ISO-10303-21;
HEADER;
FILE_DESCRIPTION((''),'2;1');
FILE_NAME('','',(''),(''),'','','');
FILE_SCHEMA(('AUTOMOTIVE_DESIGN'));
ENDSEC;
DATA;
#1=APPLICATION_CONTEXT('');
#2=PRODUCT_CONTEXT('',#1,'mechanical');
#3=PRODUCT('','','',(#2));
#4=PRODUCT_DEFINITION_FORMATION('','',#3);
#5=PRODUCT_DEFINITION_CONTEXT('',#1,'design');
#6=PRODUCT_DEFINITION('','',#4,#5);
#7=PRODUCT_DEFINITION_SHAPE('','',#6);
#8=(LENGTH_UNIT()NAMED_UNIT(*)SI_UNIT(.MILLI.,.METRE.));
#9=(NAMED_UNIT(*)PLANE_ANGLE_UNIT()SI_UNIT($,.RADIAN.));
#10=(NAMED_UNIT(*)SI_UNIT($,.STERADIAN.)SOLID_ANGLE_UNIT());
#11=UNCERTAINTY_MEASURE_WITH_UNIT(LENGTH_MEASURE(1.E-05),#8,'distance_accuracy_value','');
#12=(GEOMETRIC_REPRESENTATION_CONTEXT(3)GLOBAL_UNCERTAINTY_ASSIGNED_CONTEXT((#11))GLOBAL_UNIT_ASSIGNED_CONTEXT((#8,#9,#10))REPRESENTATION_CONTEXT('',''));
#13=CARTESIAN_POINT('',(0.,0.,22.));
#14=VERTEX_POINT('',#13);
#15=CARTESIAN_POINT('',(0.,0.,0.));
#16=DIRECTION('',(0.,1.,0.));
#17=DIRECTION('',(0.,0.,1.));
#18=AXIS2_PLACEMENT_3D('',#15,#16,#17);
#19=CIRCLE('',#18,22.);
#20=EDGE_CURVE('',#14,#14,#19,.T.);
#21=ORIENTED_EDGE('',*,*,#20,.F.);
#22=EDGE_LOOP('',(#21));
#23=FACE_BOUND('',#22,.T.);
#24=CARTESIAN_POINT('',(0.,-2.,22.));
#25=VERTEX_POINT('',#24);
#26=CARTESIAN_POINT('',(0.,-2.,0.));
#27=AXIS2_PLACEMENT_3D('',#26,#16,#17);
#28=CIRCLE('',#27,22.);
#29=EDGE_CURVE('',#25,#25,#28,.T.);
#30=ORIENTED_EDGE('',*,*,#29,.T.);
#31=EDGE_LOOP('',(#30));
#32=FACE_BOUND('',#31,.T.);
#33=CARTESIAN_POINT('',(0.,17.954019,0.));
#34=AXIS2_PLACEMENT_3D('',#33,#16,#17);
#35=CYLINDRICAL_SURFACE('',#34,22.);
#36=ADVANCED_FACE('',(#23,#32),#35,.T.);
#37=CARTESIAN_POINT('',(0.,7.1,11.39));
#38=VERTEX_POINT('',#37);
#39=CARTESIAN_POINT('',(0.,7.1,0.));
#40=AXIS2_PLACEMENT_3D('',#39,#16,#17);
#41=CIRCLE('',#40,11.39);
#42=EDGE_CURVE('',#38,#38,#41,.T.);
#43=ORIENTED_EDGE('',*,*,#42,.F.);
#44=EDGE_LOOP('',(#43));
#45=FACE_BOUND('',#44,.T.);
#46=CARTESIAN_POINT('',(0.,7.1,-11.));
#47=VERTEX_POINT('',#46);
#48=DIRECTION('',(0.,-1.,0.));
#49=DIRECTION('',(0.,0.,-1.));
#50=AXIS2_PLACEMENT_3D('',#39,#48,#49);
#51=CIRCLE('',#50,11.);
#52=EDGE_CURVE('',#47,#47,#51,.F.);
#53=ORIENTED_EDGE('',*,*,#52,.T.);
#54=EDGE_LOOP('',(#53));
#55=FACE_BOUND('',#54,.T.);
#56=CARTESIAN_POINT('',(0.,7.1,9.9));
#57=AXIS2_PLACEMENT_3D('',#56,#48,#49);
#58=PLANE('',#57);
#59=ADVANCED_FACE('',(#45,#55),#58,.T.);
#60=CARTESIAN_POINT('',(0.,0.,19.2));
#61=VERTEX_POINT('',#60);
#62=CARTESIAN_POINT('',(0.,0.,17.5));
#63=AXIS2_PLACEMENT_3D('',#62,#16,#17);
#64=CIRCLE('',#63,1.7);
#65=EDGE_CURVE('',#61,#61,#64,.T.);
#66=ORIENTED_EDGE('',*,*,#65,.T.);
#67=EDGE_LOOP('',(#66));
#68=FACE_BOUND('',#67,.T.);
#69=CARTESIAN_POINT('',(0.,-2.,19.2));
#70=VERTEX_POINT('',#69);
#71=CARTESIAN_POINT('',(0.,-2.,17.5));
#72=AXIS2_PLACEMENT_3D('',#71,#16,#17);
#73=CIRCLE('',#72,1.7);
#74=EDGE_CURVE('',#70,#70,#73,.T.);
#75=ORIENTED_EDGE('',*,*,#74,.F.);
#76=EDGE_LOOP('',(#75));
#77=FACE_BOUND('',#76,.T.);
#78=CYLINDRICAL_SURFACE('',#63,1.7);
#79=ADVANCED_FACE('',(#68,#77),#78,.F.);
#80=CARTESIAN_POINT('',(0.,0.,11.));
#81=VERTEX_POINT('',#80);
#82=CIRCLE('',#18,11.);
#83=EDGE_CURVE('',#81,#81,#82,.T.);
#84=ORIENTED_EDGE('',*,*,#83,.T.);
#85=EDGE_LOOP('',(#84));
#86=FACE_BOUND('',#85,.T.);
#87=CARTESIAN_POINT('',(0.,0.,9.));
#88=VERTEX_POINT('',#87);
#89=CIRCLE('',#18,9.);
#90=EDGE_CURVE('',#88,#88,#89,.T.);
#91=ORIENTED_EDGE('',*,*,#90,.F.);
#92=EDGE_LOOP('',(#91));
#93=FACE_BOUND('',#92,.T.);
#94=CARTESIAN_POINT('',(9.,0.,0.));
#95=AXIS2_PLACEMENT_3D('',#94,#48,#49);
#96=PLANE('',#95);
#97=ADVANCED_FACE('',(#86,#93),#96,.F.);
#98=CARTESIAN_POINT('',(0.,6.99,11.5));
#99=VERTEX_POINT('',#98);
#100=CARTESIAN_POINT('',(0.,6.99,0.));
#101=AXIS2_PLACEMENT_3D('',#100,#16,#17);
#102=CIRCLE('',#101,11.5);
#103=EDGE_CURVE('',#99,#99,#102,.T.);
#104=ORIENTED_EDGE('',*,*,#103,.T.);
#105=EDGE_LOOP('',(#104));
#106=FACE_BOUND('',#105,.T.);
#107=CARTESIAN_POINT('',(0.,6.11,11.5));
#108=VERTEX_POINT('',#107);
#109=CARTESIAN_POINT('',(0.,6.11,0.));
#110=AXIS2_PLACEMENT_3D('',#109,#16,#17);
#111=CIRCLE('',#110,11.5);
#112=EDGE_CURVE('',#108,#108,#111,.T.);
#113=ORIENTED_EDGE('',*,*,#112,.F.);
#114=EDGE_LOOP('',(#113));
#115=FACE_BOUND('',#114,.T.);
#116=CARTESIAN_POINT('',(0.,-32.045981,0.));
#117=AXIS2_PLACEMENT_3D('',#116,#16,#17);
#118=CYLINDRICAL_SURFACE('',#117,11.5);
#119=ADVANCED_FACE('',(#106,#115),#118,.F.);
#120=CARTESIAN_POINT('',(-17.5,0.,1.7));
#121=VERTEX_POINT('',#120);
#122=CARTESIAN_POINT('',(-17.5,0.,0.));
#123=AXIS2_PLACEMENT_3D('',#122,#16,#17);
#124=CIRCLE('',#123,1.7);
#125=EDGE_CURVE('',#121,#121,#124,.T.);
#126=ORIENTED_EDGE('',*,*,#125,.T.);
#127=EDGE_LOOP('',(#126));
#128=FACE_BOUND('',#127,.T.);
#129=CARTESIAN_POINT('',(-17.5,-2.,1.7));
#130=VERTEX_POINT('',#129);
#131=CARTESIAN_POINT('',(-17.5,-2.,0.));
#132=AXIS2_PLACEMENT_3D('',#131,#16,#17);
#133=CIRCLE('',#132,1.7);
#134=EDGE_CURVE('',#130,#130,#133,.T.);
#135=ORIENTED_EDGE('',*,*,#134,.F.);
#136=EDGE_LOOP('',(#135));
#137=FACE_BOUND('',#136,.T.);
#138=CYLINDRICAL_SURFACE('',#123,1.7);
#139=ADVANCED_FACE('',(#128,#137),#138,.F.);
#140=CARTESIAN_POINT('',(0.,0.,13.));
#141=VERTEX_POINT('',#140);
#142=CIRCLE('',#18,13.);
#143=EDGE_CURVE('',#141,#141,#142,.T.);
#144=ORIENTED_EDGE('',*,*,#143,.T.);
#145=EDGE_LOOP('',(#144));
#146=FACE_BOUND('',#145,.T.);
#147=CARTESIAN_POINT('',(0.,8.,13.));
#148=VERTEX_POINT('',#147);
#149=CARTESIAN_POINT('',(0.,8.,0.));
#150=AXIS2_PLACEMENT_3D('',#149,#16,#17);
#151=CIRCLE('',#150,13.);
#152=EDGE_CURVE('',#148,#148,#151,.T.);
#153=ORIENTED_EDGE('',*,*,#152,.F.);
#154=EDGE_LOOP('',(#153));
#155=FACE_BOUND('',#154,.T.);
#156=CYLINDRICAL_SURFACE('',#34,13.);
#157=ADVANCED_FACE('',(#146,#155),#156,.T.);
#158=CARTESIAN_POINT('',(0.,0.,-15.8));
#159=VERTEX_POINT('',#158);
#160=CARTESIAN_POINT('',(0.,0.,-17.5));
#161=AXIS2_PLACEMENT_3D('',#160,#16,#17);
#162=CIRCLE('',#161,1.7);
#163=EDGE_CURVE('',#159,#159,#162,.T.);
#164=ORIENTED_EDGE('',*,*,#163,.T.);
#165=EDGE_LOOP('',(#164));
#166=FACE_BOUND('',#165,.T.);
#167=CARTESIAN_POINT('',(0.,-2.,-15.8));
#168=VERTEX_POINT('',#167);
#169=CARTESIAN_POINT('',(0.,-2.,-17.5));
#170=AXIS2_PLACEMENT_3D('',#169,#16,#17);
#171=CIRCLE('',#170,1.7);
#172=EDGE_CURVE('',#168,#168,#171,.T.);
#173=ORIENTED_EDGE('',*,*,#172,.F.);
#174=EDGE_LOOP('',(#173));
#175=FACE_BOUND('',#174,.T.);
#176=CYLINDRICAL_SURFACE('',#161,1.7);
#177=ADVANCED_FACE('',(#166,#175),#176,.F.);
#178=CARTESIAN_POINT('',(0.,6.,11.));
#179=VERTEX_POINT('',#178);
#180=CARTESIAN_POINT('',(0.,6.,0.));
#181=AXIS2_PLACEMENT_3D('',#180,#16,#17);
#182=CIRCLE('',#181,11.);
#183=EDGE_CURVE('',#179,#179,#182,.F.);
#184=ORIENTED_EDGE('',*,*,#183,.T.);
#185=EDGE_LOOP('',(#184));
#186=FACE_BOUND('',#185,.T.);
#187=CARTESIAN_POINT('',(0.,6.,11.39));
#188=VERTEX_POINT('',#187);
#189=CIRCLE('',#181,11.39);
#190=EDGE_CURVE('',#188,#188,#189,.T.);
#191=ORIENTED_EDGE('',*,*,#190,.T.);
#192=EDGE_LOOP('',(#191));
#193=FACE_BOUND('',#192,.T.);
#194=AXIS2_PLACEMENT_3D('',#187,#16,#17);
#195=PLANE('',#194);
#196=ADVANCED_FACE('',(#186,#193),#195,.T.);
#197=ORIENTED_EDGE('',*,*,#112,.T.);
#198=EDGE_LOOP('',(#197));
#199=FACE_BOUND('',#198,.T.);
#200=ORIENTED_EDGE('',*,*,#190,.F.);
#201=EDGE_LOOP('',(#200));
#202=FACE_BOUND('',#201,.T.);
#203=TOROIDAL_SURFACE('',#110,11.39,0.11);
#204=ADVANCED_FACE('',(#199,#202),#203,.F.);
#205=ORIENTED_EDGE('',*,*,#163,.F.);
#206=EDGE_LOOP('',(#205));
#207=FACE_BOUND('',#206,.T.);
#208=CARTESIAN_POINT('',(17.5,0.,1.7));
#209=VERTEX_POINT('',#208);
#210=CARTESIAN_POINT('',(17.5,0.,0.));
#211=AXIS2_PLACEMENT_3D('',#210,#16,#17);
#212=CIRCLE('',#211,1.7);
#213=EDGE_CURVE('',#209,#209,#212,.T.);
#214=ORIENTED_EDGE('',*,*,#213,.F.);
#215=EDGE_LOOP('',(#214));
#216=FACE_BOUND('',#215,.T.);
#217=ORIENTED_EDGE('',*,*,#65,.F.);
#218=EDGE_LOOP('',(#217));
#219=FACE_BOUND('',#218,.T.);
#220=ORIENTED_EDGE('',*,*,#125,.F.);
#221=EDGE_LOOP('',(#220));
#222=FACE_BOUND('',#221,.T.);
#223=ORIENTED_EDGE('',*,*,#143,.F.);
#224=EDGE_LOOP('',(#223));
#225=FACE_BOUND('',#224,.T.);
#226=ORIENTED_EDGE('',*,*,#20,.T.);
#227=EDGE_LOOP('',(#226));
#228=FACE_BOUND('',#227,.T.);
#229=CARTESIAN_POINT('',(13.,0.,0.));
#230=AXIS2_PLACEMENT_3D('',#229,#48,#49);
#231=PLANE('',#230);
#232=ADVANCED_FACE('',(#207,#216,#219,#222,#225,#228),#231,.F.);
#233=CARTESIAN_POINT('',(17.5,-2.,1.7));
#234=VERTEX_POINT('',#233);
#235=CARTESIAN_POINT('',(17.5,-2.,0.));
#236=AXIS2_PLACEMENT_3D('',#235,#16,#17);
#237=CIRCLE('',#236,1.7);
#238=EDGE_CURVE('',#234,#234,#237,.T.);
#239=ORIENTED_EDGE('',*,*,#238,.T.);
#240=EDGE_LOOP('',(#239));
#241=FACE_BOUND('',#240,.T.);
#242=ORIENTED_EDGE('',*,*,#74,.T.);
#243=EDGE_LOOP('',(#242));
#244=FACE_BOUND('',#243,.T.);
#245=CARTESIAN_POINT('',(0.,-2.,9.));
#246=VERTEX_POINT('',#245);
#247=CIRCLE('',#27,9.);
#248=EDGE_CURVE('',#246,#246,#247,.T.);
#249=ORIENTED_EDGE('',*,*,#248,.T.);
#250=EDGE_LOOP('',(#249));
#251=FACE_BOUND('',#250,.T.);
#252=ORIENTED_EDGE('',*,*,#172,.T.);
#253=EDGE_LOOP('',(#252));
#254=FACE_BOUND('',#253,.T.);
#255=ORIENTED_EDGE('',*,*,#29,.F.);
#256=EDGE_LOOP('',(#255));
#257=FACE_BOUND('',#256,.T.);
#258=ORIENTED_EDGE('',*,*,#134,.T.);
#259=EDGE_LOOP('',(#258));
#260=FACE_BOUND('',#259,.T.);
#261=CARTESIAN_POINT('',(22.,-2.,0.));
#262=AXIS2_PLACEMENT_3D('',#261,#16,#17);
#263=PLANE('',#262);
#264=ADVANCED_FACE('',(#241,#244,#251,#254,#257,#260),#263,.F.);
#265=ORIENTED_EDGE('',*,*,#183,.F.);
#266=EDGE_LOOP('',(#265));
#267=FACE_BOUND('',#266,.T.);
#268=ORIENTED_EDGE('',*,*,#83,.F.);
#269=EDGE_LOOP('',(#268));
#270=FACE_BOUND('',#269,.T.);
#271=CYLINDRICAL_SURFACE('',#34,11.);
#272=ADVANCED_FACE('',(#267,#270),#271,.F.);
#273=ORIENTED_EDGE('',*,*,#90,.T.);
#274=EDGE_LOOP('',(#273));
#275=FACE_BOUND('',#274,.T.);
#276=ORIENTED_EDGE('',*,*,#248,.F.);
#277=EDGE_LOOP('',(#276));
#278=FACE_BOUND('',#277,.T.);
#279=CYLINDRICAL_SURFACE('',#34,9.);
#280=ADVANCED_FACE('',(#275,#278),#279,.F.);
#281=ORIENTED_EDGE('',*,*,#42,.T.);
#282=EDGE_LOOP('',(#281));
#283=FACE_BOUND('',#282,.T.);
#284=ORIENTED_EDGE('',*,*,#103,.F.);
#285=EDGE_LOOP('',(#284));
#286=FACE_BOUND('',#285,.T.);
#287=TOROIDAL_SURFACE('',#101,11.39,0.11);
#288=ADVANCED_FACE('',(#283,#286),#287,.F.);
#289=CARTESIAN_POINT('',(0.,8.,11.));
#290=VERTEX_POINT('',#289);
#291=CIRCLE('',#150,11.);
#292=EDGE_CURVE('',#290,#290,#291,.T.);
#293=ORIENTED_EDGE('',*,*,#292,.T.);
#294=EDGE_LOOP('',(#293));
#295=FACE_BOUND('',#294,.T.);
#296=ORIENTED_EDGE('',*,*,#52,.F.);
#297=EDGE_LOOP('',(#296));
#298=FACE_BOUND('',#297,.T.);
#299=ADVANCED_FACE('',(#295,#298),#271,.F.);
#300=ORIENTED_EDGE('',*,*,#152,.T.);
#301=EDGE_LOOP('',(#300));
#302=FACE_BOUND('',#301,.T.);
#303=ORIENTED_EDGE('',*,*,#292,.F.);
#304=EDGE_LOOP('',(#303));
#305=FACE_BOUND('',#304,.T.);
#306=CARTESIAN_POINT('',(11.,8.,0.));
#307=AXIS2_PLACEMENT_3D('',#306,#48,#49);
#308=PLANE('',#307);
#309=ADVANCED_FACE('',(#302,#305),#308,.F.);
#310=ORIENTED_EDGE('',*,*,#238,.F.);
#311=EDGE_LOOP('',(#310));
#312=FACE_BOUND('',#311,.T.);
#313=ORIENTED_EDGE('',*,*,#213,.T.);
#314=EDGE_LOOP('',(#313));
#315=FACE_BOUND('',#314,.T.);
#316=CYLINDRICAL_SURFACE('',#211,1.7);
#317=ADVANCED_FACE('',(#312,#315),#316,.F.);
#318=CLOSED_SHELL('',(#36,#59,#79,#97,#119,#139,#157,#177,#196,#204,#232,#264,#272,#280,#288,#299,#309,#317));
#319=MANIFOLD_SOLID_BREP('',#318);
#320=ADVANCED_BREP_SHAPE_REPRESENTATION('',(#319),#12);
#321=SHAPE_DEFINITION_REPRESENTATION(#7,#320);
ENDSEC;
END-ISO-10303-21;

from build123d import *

# Parameters (mm, degrees)
M3_CLEARANCE_HOLE1_D = 3.4


with BuildPart() as part:
    # Sketch1 → Revolve1 (revolve)
    with BuildSketch(Plane.XY, mode=Mode.PRIVATE) as revolve1_sk:
        Polygon((9, 0), (11, 0), (11, 8), (13, 8), (13, 0), (22, 0), (22, -2), (9, -2), align=None)
    revolve(revolve1_sk.sketch.rotate(Axis((0, 17.954019247, 0), (0, -1, 0)), 90), axis=Axis((0, 17.954019247, 0), (0, -1, 0)))

    # Sketch4 → Groove for BS 3673 P4 - B022M, Internal Circlip1 (revolve, cut)
    with BuildSketch(Plane(origin=(0, 17.954019247, 0), x_dir=(0, 0, 1), z_dir=(-1, 0, 0))):
        with BuildLine():
            Line((11.39, -11.954019247), (9.9, -11.954019247))
            Line((9.9, -11.954019247), (9.9, -10.854019247))
            Line((9.9, -10.854019247), (11.39, -10.854019247))
            ThreePointArc((11.39, -10.854019247), (11.467781746, -10.886237501), (11.5, -10.964019247))
            Line((11.5, -10.964019247), (11.5, -11.844019247))
            ThreePointArc((11.5, -11.844019247), (11.467781746, -11.921800993), (11.39, -11.954019247))
        make_face()
    revolve(axis=Axis((0, -32.045980753, 0), (0, 1, 0)), mode=Mode.SUBTRACT)

    # M3 Clearance Hole1 (through all)
    with Locations(Plane(origin=(0, 0, 0), x_dir=(1, 0, 0), z_dir=(0, 1, 0))):
        with Locations((0, 17.5), (17.5, 0), (0, -17.5), (-17.5, 0)):
            Hole(M3_CLEARANCE_HOLE1_D / 2)


solid = part.part
